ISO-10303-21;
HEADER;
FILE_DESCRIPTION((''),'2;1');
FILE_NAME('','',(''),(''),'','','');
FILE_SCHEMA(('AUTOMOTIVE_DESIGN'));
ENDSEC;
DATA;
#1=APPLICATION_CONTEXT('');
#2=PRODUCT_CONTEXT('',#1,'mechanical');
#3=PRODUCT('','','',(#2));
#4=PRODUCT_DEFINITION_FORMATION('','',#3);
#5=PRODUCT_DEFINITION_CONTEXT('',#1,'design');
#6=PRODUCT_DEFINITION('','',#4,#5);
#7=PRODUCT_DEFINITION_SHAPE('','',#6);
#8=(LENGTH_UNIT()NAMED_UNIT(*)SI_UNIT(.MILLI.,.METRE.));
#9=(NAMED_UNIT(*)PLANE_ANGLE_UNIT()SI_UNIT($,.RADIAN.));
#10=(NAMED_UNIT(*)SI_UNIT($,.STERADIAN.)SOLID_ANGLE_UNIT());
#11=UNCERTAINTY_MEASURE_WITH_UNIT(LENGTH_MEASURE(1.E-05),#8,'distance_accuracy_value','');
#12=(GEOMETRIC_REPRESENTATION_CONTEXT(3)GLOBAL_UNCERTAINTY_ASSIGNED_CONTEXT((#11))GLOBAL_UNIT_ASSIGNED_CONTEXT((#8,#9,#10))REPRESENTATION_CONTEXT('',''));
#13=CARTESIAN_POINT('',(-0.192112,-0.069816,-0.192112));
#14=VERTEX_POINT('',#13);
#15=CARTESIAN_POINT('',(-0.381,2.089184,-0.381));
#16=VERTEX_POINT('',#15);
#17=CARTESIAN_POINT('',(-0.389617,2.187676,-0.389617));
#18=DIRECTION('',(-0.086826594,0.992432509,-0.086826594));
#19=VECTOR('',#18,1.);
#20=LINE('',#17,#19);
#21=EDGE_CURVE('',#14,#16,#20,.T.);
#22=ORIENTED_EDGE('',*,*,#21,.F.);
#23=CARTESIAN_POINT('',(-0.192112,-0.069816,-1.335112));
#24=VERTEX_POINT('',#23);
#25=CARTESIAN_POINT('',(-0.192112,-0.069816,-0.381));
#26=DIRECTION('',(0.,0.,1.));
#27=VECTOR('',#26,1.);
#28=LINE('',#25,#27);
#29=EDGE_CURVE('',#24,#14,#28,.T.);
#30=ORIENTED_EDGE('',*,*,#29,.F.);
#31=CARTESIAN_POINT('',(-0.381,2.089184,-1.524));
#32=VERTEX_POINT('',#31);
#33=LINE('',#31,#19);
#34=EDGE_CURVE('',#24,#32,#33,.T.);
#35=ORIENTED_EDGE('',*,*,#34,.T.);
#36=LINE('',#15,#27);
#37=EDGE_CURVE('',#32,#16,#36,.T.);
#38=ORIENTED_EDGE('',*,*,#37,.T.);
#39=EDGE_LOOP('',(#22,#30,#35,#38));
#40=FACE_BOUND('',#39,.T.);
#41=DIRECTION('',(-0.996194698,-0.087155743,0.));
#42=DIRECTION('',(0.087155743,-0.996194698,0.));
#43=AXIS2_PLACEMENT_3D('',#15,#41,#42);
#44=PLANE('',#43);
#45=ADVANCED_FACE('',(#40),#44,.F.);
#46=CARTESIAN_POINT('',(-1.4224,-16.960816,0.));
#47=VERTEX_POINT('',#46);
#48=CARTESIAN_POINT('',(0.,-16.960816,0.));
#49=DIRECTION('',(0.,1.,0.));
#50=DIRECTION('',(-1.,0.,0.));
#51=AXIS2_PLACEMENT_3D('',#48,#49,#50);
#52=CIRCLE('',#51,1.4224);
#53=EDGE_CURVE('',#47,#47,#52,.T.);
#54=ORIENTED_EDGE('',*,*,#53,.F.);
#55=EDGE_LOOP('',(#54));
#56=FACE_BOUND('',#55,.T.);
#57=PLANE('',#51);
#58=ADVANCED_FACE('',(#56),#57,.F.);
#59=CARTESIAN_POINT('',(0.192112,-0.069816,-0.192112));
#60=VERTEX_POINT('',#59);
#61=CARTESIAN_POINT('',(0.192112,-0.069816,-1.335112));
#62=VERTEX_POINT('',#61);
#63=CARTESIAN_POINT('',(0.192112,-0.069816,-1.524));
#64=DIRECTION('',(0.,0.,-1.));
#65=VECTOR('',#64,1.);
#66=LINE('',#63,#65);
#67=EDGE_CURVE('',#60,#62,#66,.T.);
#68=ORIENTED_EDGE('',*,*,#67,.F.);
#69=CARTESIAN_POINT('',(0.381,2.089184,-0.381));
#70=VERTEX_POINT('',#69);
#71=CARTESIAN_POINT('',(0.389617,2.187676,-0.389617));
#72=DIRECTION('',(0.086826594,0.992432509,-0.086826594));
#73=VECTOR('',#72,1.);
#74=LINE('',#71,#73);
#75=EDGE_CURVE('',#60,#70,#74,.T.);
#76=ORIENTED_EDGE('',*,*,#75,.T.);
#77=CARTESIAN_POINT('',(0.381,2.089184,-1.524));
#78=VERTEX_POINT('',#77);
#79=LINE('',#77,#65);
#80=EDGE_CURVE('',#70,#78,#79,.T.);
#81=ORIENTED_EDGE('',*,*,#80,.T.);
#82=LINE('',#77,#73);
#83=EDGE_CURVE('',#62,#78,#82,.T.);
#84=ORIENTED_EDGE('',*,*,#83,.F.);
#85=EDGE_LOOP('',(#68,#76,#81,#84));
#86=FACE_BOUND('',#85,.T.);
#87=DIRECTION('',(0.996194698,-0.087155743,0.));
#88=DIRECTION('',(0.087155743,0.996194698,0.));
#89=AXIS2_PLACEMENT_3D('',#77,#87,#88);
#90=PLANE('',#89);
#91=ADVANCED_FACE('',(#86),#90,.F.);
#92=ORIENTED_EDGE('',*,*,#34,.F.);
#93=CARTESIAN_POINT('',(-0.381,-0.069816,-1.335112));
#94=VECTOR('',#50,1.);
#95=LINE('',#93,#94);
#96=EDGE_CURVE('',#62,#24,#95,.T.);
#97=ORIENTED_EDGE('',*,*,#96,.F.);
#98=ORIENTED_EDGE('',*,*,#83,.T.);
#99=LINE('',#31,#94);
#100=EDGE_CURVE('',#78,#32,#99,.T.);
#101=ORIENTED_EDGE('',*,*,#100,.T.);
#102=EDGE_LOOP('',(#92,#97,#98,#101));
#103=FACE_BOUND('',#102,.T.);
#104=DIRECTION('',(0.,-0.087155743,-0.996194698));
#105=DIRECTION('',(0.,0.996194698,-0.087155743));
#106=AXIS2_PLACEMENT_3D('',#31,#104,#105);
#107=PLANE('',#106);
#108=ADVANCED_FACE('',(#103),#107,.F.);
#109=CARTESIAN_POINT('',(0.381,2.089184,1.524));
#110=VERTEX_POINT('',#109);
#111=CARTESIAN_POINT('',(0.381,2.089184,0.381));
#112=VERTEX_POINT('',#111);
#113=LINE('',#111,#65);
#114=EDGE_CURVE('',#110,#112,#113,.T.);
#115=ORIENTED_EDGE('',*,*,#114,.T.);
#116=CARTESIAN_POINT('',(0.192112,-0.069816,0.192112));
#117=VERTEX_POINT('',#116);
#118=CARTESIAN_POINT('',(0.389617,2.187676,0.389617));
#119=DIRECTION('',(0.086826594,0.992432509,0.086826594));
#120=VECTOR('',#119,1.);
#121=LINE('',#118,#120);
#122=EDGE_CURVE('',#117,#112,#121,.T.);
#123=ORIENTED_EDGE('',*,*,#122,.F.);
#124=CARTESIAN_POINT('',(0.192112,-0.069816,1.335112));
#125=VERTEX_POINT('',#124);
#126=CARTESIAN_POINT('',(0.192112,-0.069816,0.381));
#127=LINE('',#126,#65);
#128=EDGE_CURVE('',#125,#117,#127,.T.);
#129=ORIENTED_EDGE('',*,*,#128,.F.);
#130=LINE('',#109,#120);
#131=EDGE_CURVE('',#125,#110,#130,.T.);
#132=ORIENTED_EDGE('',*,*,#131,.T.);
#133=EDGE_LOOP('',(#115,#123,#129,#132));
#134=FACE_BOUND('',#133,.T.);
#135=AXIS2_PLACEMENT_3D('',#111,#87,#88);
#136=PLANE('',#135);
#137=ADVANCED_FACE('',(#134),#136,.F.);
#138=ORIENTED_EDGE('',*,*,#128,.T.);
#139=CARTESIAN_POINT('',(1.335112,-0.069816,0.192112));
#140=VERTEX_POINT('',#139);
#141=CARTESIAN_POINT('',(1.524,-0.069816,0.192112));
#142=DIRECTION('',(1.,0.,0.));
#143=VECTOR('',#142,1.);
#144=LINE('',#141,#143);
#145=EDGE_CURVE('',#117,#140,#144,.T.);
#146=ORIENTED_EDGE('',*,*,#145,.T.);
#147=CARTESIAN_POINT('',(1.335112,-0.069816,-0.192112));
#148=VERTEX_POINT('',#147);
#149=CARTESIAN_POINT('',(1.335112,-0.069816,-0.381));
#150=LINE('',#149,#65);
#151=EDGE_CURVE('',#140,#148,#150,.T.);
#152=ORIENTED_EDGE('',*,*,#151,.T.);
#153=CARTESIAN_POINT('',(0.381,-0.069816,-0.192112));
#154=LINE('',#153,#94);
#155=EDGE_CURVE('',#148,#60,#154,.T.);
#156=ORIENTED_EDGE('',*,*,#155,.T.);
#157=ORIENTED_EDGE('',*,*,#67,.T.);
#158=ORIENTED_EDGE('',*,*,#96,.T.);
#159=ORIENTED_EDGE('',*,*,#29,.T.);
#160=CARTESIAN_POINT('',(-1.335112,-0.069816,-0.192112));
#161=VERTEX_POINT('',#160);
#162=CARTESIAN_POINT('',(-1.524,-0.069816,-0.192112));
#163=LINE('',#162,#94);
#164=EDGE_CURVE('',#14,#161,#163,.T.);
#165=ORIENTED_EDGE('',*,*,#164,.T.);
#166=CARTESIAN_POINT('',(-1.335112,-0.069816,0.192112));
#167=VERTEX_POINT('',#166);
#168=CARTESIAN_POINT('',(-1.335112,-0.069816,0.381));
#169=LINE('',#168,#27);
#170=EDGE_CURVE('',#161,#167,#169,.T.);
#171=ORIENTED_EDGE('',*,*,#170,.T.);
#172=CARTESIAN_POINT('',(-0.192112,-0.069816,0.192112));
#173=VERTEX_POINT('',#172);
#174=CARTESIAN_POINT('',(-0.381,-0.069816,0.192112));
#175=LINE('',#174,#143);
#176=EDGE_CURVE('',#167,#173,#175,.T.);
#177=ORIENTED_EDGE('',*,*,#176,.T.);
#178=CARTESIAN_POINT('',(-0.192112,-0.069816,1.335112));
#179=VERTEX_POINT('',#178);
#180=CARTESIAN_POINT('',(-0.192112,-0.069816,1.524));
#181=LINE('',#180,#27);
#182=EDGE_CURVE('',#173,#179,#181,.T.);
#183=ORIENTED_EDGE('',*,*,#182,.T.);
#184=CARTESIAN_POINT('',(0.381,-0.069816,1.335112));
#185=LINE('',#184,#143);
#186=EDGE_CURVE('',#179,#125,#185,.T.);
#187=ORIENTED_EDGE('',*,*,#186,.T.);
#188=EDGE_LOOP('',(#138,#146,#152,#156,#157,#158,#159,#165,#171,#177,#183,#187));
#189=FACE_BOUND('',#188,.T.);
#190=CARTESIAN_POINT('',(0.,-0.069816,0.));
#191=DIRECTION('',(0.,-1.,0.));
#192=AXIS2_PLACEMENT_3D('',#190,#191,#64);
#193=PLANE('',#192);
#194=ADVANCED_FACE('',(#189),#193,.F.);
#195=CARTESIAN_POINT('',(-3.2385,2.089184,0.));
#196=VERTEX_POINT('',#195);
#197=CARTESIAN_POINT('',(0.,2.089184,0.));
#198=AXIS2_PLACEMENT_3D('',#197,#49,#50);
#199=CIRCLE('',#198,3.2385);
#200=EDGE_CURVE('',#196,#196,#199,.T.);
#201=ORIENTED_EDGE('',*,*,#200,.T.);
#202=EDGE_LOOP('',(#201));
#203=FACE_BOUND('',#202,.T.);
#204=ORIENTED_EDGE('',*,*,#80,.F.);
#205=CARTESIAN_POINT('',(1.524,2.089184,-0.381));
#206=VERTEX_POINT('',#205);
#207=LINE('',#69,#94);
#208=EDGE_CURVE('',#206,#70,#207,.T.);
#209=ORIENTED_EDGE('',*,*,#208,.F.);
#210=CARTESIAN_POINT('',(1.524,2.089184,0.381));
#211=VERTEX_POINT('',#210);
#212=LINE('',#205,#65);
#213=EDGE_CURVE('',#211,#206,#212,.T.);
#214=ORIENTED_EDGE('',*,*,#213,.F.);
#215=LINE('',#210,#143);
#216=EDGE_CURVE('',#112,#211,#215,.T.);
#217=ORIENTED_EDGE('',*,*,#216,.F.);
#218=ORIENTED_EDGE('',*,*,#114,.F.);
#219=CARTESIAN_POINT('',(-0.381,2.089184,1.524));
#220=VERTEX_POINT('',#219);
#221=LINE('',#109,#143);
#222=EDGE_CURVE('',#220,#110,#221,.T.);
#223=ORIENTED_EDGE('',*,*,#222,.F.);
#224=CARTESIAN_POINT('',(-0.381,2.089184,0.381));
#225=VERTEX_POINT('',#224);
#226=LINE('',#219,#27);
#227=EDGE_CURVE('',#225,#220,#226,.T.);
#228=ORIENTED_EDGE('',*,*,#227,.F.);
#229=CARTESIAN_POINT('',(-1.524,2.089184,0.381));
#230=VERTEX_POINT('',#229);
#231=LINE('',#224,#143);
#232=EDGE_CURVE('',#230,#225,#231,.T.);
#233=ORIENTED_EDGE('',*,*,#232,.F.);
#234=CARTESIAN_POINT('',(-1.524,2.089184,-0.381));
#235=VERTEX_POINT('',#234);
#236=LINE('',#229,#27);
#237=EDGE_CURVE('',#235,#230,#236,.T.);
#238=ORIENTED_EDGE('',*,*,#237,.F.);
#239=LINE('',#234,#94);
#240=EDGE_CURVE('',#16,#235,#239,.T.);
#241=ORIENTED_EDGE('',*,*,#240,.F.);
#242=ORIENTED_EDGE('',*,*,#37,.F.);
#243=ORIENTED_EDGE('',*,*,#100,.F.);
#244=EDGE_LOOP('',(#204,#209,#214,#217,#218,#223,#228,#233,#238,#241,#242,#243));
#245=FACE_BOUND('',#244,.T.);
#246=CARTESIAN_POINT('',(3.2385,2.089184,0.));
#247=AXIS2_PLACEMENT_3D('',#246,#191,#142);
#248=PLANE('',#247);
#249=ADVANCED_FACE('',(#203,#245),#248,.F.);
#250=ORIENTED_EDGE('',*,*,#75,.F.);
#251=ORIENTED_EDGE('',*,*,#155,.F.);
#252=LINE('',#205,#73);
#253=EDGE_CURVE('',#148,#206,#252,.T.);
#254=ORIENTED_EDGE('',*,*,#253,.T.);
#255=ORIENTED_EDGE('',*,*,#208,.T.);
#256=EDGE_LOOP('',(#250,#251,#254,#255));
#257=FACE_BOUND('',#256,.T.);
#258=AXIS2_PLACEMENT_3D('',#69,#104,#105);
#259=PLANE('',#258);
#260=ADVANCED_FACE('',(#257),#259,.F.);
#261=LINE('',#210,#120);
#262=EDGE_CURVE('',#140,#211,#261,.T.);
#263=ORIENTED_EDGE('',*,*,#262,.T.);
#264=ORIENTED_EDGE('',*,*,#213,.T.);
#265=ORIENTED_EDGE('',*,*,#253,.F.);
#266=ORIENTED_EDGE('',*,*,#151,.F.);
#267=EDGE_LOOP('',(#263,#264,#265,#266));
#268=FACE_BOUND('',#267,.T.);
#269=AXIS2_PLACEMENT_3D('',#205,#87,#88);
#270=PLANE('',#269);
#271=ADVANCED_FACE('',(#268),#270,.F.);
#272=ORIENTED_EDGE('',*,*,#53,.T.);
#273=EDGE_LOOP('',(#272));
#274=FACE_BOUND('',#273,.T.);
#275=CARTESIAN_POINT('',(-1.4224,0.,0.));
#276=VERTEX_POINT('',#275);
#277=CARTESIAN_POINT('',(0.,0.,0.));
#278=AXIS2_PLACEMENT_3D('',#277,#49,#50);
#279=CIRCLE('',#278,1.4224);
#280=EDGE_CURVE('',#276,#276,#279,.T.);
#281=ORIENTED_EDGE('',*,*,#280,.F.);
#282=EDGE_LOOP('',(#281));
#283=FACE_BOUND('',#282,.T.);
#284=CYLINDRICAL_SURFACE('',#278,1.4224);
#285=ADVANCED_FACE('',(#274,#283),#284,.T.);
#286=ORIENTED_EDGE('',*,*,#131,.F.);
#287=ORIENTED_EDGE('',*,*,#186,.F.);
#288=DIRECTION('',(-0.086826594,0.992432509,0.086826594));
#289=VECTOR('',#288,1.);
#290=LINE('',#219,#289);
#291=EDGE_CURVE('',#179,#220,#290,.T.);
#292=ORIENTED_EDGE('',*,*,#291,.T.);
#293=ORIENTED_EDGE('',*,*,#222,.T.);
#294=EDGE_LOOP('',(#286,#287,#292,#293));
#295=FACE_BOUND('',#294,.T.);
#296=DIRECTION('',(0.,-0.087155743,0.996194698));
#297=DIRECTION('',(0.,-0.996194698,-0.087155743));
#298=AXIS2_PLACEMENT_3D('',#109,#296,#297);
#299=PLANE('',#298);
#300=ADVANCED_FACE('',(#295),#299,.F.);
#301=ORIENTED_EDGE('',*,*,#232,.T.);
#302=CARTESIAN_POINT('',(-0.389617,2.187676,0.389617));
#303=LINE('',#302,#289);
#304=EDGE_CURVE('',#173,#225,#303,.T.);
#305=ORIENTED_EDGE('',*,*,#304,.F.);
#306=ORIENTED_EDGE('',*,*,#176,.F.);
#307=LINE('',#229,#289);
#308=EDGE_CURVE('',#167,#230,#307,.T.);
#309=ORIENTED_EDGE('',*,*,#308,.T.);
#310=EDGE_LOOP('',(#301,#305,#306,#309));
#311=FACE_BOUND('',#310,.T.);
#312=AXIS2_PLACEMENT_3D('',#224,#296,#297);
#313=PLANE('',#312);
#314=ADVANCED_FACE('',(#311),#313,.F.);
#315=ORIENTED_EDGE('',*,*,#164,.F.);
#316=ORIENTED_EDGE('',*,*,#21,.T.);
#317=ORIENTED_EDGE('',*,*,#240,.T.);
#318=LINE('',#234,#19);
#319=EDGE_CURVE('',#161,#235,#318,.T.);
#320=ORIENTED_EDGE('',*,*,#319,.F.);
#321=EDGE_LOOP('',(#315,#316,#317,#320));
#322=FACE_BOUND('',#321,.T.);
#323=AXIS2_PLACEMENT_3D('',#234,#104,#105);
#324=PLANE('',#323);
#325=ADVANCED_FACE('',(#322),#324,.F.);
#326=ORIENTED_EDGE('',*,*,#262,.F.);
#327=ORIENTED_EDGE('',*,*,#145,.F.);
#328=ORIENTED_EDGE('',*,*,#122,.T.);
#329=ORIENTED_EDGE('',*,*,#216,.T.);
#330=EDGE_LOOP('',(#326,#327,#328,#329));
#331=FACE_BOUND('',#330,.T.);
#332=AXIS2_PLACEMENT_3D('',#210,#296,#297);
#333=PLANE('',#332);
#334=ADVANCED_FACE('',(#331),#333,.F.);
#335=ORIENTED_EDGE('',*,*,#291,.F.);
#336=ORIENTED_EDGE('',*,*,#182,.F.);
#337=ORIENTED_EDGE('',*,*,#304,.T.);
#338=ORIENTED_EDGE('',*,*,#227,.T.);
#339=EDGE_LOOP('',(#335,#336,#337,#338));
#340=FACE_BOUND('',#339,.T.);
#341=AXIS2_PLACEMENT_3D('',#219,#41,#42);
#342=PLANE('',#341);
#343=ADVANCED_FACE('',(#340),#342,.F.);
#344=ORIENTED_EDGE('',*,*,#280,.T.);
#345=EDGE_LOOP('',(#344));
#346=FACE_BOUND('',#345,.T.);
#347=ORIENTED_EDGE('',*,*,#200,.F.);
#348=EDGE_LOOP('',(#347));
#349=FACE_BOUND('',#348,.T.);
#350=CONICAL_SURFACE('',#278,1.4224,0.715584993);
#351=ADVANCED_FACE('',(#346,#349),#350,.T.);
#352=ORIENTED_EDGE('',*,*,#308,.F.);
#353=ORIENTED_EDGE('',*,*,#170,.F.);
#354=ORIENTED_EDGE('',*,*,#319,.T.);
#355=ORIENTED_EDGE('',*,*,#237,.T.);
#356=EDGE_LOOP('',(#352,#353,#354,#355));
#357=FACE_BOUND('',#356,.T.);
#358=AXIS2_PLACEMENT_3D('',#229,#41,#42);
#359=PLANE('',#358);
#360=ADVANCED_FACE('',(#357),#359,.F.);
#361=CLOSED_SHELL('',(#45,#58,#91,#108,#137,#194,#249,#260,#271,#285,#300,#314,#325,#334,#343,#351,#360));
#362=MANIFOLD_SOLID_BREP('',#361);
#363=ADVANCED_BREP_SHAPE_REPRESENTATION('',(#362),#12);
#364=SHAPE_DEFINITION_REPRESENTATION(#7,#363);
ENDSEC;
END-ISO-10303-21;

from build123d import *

# Parameters (mm, degrees)
CUT_EXTRUDE1_DEPTH = 2.159
CUT_EXTRUDE1_DRAFT = -5


with BuildPart() as part:
    # Sketch1 → Revolve1 (revolve)
    with BuildSketch(Plane.XY, mode=Mode.PRIVATE) as revolve1_sk:
        Polygon((1.4224, 0), (3.2385, 2.089184064), (0, 2.089184064), (0, 0), (0, -16.960815936), (1.4224, -16.960815936), align=None)
    revolve(revolve1_sk.sketch.rotate(Axis((0, 0, 0), (0, -1, 0)), 180), axis=Axis((0, 0, 0), (0, -1, 0)))


with BuildPart() as cut_extrude1_tool:
    # Sketch2 → Cut-Extrude1 (with draft: the straight prism first)
    with BuildSketch(Plane(origin=(0, 2.089184064, 0), x_dir=(1, 0, 0), z_dir=(0, 1, 0))):
        Polygon((-0.381, 1.524), (-0.381, 0.381), (-1.524, 0.381), (-1.524, -0.381), (-0.381, -0.381), (-0.381, -1.524), (0.381, -1.524), (0.381, -0.381), (1.524, -0.381), (1.524, 0.381), (0.381, 0.381), (0.381, 1.524), align=None)
    extrude(amount=-CUT_EXTRUDE1_DEPTH)
    # Cut-Extrude1: the draft: its side faces are tilted about the plane it starts from
    cut_extrude1_sides = [cut_extrude1_tool.faces().sort_by_distance(p)[0] for p in [
        (-0.381, 1.009684064, -0.9525),
        (-0.9525, 1.009684064, -0.381),
        (-1.524, 1.009684064, 0),
        (-0.9525, 1.009684064, 0.381),
        (-0.381, 1.009684064, 0.9525),
        (0, 1.009684064, 1.524),
        (0.381, 1.009684064, 0.9525),
        (0.9525, 1.009684064, 0.381),
        (1.524, 1.009684064, 0),
        (0.9525, 1.009684064, -0.381),
        (0.381, 1.009684064, -0.9525),
        (0, 1.009684064, -1.524),
    ]]
    draft(cut_extrude1_sides, Plane(origin=(0, 2.089184064, 0), x_dir=(1, 0, 0), z_dir=(0, 1, 0)), CUT_EXTRUDE1_DRAFT)


with BuildPart() as part_1:
    add(part.part)

    # Cut-Extrude1: cut by cut_extrude1_tool
    add(cut_extrude1_tool.part, mode=Mode.SUBTRACT)


solid = part_1.part
